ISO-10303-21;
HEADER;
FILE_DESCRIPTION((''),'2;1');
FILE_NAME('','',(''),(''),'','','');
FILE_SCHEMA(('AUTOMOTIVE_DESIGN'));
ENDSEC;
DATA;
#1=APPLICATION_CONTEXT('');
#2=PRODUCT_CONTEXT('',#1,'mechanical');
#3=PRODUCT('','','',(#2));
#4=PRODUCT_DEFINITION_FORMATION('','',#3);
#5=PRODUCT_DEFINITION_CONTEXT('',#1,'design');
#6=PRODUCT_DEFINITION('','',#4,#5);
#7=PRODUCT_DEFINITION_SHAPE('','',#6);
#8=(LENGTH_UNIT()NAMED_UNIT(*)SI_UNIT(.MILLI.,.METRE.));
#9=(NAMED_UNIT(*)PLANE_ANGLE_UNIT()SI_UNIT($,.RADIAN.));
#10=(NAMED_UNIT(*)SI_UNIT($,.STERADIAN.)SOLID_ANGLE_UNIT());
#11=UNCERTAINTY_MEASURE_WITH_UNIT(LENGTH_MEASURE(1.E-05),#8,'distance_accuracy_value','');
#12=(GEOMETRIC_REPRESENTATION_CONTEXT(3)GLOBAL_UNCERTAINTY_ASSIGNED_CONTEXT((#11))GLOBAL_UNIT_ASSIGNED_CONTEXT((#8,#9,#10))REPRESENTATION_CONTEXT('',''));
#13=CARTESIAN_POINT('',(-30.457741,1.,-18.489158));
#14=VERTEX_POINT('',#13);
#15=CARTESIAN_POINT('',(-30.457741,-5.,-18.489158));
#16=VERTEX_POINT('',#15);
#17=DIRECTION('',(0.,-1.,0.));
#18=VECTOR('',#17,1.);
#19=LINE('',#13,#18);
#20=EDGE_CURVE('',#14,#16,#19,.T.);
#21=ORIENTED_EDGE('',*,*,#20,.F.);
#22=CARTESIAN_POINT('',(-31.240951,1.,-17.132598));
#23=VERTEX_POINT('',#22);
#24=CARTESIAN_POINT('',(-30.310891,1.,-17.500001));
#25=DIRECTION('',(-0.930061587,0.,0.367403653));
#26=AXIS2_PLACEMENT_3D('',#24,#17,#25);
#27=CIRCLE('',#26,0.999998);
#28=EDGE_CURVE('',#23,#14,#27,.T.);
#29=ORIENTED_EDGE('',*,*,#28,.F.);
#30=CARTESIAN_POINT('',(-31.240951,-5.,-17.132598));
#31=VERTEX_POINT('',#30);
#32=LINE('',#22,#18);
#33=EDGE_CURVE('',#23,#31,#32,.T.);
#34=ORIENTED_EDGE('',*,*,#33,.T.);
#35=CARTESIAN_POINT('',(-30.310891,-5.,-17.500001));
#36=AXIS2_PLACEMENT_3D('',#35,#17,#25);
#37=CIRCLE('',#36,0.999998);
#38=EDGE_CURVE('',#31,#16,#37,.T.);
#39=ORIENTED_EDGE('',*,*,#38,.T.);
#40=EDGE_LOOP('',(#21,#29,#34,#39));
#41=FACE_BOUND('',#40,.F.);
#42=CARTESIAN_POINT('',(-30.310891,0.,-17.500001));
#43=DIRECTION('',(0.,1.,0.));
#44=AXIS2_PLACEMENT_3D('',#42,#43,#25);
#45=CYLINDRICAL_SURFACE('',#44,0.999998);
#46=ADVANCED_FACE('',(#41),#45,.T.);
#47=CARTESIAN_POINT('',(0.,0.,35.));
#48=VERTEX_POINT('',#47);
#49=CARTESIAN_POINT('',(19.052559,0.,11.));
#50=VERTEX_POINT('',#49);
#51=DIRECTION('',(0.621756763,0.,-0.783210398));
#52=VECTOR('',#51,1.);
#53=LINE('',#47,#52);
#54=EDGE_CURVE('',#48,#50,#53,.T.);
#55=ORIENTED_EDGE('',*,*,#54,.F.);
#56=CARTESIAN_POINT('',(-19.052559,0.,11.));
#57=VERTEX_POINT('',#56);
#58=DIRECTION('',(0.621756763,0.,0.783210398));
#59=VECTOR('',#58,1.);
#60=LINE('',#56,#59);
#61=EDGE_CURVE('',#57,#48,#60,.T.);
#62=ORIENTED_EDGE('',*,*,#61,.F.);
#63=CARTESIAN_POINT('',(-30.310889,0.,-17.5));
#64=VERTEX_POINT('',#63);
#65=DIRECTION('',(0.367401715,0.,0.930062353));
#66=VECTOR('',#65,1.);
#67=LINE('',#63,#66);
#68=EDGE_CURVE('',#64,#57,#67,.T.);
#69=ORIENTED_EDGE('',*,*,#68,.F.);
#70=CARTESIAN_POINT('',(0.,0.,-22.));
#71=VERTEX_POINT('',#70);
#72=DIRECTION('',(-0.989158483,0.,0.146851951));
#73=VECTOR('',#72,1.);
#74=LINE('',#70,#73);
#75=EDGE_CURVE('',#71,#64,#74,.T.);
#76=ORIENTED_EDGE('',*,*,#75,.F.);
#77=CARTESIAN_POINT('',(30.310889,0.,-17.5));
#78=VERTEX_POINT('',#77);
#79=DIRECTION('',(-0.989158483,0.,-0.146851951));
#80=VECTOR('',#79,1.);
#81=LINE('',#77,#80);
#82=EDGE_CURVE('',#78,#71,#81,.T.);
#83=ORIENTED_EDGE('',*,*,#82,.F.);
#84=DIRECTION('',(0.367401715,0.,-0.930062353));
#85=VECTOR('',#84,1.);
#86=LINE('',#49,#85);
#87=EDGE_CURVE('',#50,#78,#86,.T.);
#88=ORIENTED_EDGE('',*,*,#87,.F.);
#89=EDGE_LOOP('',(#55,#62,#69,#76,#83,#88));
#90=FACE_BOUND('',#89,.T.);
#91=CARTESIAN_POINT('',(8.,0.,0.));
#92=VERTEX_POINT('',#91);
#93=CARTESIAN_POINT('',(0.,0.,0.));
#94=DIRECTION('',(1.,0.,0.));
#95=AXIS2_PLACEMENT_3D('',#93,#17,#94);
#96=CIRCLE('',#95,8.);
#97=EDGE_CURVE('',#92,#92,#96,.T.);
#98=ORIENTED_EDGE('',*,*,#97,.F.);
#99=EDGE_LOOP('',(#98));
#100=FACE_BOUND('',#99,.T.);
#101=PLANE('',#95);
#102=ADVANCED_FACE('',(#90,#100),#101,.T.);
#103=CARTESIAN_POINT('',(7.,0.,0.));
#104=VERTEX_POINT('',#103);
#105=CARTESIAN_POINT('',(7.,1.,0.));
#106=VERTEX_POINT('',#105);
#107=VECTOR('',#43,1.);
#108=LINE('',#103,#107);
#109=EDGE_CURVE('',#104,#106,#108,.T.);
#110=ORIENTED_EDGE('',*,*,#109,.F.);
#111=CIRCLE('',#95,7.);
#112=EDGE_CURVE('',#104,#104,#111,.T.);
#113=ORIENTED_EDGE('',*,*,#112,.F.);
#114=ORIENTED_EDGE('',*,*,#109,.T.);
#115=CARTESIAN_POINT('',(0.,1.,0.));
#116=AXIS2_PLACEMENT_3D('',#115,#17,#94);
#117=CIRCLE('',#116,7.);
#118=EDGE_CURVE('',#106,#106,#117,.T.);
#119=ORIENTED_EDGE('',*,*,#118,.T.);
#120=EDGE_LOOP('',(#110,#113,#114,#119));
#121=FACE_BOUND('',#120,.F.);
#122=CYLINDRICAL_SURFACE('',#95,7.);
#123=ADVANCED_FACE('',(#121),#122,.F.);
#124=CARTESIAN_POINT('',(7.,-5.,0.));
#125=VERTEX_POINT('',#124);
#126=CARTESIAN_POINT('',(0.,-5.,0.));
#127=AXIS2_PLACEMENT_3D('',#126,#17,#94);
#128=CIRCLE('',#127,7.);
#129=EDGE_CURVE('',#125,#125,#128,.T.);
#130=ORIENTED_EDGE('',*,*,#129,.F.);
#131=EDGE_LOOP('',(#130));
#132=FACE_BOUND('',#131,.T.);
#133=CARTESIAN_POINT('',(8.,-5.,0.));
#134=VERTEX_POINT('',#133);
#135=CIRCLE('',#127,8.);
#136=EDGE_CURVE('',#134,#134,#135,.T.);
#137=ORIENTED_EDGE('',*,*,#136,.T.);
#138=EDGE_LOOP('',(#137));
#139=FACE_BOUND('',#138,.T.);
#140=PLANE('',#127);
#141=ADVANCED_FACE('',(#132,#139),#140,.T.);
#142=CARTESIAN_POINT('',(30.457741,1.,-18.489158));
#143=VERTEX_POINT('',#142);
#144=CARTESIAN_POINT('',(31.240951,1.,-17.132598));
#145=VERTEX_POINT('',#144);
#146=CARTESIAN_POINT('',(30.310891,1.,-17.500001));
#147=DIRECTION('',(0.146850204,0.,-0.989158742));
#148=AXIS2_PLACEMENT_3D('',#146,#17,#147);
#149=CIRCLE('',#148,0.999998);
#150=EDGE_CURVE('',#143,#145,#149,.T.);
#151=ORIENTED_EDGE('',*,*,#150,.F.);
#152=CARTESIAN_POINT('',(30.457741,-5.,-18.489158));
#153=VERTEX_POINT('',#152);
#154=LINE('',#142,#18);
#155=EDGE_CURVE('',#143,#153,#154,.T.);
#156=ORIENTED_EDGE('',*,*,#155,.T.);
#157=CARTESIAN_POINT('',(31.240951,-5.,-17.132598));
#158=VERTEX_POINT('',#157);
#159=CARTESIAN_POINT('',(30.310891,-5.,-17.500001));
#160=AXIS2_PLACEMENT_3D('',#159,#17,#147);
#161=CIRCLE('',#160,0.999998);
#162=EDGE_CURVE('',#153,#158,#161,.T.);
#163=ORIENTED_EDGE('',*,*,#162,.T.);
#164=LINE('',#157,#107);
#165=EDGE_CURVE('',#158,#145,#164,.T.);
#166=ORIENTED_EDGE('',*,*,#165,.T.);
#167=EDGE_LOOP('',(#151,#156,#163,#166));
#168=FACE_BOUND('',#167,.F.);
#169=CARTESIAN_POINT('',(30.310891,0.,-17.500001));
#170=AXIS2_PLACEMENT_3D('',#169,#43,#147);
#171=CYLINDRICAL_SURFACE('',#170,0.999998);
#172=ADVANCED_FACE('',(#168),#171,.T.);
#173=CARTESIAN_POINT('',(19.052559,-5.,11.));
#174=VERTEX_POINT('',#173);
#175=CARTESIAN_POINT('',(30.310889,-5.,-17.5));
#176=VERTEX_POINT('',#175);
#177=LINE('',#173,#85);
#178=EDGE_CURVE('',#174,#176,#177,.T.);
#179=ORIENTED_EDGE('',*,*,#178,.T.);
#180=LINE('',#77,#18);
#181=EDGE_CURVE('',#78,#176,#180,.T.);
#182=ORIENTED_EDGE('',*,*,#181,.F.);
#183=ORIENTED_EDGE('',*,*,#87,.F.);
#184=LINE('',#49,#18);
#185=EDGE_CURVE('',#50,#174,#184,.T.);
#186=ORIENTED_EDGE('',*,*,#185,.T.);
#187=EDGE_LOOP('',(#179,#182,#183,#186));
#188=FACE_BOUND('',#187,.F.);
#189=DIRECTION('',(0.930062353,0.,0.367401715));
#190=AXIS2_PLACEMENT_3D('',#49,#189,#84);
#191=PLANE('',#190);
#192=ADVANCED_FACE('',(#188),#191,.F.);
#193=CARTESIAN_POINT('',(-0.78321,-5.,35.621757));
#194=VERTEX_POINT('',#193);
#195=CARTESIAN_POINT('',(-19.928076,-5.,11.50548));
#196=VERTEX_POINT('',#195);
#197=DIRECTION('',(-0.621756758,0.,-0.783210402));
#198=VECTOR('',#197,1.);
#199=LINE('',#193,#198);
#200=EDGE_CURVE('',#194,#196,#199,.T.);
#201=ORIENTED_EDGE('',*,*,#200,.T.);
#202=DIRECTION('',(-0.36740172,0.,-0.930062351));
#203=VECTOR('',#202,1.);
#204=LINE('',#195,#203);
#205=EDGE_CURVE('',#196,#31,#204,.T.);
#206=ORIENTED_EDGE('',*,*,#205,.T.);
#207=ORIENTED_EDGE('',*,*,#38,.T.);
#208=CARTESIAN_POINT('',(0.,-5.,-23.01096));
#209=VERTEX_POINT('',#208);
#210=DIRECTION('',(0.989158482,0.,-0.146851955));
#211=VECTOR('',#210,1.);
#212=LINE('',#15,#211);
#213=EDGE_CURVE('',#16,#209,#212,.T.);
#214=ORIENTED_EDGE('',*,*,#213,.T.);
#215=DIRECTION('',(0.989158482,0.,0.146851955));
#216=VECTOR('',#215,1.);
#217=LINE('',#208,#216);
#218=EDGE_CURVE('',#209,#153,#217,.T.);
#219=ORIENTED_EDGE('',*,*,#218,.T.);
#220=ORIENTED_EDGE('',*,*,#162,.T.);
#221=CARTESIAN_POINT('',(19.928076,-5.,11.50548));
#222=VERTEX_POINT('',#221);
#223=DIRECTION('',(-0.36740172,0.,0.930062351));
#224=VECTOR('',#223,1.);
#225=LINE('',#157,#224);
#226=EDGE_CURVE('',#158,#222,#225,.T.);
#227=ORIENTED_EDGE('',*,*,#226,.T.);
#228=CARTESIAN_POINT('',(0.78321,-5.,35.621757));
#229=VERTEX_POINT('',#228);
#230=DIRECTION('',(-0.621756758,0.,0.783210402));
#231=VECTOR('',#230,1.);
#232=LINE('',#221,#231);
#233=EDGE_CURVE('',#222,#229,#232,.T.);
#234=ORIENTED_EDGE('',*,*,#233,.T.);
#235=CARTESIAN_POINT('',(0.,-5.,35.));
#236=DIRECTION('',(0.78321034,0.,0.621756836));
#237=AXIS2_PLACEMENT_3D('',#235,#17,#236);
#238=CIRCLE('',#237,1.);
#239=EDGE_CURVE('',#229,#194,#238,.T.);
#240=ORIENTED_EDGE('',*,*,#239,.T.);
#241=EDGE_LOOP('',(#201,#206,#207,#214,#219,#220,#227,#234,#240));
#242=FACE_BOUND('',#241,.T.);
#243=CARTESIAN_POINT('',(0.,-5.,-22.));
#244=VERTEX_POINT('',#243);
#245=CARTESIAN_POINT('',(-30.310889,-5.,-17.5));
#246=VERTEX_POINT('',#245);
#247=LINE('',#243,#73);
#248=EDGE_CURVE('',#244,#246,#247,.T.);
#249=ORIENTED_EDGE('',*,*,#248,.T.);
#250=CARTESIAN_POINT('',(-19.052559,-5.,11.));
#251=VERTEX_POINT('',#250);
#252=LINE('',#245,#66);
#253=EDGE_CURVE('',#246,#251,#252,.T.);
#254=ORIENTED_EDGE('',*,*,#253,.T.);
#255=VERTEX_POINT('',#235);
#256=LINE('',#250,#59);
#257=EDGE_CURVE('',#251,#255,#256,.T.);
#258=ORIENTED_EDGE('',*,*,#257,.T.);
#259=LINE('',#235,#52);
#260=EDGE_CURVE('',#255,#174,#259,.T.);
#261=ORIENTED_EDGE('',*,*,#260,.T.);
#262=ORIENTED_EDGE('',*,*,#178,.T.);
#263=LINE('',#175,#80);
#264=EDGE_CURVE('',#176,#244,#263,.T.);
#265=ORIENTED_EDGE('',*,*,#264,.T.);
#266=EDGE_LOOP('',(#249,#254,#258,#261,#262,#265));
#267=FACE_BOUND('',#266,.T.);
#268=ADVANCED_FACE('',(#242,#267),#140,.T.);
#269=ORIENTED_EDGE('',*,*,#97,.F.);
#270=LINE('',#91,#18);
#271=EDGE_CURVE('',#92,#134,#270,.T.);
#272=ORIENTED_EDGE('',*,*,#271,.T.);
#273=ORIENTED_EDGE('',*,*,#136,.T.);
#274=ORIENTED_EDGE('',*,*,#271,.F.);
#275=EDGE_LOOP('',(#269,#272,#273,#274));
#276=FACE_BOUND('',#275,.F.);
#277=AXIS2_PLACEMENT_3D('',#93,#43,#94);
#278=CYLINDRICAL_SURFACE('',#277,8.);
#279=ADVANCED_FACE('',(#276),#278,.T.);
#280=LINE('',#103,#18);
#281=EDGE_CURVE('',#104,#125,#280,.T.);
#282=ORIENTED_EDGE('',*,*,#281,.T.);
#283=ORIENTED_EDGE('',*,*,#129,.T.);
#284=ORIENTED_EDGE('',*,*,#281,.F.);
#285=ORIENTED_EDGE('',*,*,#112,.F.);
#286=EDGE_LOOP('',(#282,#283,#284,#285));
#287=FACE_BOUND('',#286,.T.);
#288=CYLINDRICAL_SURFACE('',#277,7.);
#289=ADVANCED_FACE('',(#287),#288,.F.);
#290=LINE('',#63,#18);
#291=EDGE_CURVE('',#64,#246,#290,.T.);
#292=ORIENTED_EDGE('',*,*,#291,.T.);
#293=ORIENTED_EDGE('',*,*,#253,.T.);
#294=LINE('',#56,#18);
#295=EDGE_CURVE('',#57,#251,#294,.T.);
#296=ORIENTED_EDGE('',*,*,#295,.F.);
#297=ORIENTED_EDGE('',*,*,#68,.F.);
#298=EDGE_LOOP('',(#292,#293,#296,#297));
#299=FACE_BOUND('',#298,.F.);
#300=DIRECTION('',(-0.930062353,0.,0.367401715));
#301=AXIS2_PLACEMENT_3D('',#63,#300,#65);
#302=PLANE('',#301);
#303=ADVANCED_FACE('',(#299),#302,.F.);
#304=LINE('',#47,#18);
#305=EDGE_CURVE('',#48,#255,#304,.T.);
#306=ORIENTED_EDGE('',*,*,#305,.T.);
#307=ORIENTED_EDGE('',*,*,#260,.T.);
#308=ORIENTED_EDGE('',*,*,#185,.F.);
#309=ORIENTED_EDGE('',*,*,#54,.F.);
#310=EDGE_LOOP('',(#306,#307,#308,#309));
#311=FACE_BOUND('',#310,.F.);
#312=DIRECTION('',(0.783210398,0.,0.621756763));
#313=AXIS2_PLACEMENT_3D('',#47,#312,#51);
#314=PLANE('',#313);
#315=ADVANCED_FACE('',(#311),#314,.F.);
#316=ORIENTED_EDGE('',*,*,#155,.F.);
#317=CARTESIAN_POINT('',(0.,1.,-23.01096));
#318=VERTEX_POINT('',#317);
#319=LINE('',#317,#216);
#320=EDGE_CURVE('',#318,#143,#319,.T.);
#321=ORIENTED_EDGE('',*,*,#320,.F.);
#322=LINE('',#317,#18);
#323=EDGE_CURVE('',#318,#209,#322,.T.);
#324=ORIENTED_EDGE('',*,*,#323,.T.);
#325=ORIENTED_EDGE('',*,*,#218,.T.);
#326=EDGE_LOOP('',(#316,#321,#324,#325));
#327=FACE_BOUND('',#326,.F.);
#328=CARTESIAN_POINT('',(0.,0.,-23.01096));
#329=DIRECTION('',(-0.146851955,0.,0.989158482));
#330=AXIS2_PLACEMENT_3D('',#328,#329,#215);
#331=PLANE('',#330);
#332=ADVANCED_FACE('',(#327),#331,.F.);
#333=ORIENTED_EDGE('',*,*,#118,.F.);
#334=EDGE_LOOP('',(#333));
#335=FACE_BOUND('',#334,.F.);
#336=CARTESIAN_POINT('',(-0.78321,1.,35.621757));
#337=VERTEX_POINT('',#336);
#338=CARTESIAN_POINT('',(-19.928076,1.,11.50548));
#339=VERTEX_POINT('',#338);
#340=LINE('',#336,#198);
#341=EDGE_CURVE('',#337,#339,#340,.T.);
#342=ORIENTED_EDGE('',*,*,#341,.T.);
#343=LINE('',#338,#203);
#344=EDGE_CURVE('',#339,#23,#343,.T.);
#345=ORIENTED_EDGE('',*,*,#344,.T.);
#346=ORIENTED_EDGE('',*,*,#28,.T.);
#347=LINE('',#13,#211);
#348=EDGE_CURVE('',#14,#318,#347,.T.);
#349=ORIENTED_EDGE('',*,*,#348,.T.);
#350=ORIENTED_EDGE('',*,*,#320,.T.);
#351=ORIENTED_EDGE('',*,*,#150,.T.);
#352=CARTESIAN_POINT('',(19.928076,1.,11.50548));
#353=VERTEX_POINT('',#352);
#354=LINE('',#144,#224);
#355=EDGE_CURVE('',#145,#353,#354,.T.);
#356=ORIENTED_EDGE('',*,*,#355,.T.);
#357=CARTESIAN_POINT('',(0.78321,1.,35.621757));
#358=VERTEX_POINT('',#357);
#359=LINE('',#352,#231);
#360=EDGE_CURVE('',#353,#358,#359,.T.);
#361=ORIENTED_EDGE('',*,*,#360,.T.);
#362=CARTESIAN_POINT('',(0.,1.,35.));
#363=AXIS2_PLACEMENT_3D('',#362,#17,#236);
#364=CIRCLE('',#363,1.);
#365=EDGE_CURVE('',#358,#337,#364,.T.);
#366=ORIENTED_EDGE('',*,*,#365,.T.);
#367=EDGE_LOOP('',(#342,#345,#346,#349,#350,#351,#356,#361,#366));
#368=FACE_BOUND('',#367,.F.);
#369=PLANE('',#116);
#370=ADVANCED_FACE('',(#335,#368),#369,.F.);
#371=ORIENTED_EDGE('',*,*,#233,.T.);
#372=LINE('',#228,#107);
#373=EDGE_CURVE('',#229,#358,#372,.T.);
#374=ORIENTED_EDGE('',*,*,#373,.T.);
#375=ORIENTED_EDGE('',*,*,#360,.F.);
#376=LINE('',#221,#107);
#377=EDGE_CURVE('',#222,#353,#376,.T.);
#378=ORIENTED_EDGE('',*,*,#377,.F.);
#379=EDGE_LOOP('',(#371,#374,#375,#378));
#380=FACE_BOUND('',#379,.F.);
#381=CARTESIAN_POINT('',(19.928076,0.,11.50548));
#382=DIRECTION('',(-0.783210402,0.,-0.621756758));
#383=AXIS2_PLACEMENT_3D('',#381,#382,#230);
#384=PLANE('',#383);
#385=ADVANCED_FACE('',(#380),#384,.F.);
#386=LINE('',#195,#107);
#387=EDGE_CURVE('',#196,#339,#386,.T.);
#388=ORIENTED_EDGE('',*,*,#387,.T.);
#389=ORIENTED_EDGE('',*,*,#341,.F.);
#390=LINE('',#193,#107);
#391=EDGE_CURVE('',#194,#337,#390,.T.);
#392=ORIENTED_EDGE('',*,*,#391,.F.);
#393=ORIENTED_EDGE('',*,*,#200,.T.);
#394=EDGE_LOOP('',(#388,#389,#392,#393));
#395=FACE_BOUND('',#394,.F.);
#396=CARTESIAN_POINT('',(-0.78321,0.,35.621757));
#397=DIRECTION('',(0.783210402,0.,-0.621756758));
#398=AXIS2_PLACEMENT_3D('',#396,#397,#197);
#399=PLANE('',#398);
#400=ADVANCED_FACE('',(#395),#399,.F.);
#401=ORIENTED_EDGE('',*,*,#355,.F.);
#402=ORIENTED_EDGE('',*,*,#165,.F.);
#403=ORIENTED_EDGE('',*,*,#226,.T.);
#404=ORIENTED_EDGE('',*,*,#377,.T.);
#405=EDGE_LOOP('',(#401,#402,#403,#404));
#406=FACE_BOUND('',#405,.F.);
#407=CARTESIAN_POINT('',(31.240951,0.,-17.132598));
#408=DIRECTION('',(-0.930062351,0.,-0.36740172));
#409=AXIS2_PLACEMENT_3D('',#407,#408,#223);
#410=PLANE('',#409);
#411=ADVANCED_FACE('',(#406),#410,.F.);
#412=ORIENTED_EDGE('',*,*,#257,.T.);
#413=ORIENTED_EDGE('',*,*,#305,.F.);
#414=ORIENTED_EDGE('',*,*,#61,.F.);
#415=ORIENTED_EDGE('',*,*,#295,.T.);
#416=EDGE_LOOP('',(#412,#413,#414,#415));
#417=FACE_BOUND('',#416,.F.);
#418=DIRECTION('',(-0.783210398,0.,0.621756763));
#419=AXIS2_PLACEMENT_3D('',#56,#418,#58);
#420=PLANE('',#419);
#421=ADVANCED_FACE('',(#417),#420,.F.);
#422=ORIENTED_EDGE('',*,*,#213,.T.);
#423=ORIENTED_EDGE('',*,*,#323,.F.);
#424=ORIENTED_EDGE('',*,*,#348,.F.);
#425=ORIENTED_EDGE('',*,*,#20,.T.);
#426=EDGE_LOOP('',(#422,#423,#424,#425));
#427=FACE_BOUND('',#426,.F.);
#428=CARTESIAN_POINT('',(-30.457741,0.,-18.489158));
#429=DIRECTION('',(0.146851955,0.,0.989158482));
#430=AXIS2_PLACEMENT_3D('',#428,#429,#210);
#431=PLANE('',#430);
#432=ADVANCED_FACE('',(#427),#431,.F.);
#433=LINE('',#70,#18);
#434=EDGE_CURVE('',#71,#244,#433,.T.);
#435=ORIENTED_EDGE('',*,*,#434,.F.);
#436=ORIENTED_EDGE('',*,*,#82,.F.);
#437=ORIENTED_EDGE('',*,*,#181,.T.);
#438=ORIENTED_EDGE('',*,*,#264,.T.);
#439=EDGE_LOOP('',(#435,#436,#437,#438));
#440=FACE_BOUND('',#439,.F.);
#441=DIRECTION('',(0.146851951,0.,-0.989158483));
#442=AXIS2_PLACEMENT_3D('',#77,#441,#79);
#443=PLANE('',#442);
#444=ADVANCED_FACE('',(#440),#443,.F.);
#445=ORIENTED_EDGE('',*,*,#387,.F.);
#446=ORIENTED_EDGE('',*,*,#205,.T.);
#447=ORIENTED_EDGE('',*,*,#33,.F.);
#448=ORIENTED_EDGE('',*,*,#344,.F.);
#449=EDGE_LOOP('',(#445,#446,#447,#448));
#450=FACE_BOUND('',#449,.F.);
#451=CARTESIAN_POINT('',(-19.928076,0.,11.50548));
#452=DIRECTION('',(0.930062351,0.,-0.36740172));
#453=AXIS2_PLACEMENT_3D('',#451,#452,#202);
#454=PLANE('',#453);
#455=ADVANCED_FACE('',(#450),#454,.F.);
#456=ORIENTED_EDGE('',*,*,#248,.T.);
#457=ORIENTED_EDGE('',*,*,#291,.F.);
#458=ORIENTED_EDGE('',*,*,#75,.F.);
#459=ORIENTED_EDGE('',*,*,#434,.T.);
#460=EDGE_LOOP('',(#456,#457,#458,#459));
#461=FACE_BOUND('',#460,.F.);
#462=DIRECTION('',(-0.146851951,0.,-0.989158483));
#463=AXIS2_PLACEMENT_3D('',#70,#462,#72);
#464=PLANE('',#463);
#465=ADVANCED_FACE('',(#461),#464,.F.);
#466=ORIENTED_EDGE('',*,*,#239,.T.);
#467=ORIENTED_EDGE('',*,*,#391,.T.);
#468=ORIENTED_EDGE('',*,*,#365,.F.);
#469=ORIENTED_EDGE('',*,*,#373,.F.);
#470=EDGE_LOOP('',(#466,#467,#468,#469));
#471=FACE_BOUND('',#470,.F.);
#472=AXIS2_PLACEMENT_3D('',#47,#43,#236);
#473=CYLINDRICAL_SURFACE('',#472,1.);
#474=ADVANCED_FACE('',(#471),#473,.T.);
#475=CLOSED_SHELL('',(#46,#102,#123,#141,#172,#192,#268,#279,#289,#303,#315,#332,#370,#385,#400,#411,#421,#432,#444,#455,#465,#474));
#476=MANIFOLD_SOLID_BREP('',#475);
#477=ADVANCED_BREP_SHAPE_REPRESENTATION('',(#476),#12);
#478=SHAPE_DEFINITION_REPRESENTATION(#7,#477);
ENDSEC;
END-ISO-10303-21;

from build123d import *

# Parameters (mm, degrees)
F0_R     = 8
F0_R_2   = 7
F1_DEPTH = 1
F2_DEPTH = 5


with BuildPart() as f1:
    # F0 (on Front) → F1 (new body)
    with BuildSketch(Plane.XZ):
        with BuildLine():
            Line((-19.928076, 11.50548), (-31.240951, -17.132598))
            ThreePointArc((-31.240951, -17.132598), (-31.176915, -18), (-30.457741, -18.489158))
            Line((-30.457741, -18.489158), (0, -23.01096))
            Line((0, -23.01096), (30.457741, -18.489158))
            ThreePointArc((30.457741, -18.489158), (31.176915, -18), (31.240951, -17.132598))
            Line((31.240951, -17.132598), (19.928076, 11.50548))
            Line((19.928076, 11.50548), (0.78321, 35.621757))
            ThreePointArc((0.78321, 35.621757), (0, 36), (-0.78321, 35.621757))
            Line((-0.78321, 35.621757), (-19.928076, 11.50548))
        make_face()
        Polygon((0, -22), (-30.310889, -17.5), (-19.052559, 11), (0, 35), (19.052559, 11), (30.310889, -17.5), align=None, mode=Mode.SUBTRACT)
        Polygon((-19.052559, 11), (-30.310889, -17.5), (0, -22), (30.310889, -17.5), (19.052559, 11), (0, 35), align=None)
        Circle(F0_R, mode=Mode.SUBTRACT)
        Circle(F0_R)
        Circle(F0_R_2, mode=Mode.SUBTRACT)
    extrude(amount=-F1_DEPTH)

    # F0 (on Front) → F2 (join)
    with BuildSketch(Plane.XZ):
        with BuildLine():
            Line((-19.928076, 11.50548), (-31.240951, -17.132598))
            ThreePointArc((-31.240951, -17.132598), (-31.176915, -18), (-30.457741, -18.489158))
            Line((-30.457741, -18.489158), (0, -23.01096))
            Line((0, -23.01096), (30.457741, -18.489158))
            ThreePointArc((30.457741, -18.489158), (31.176915, -18), (31.240951, -17.132598))
            Line((31.240951, -17.132598), (19.928076, 11.50548))
            Line((19.928076, 11.50548), (0.78321, 35.621757))
            ThreePointArc((0.78321, 35.621757), (0, 36), (-0.78321, 35.621757))
            Line((-0.78321, 35.621757), (-19.928076, 11.50548))
        make_face()
        Polygon((0, -22), (-30.310889, -17.5), (-19.052559, 11), (0, 35), (19.052559, 11), (30.310889, -17.5), align=None, mode=Mode.SUBTRACT)
        Circle(F0_R)
        Circle(F0_R_2, mode=Mode.SUBTRACT)
    extrude(amount=F2_DEPTH)


solid = f1.part
